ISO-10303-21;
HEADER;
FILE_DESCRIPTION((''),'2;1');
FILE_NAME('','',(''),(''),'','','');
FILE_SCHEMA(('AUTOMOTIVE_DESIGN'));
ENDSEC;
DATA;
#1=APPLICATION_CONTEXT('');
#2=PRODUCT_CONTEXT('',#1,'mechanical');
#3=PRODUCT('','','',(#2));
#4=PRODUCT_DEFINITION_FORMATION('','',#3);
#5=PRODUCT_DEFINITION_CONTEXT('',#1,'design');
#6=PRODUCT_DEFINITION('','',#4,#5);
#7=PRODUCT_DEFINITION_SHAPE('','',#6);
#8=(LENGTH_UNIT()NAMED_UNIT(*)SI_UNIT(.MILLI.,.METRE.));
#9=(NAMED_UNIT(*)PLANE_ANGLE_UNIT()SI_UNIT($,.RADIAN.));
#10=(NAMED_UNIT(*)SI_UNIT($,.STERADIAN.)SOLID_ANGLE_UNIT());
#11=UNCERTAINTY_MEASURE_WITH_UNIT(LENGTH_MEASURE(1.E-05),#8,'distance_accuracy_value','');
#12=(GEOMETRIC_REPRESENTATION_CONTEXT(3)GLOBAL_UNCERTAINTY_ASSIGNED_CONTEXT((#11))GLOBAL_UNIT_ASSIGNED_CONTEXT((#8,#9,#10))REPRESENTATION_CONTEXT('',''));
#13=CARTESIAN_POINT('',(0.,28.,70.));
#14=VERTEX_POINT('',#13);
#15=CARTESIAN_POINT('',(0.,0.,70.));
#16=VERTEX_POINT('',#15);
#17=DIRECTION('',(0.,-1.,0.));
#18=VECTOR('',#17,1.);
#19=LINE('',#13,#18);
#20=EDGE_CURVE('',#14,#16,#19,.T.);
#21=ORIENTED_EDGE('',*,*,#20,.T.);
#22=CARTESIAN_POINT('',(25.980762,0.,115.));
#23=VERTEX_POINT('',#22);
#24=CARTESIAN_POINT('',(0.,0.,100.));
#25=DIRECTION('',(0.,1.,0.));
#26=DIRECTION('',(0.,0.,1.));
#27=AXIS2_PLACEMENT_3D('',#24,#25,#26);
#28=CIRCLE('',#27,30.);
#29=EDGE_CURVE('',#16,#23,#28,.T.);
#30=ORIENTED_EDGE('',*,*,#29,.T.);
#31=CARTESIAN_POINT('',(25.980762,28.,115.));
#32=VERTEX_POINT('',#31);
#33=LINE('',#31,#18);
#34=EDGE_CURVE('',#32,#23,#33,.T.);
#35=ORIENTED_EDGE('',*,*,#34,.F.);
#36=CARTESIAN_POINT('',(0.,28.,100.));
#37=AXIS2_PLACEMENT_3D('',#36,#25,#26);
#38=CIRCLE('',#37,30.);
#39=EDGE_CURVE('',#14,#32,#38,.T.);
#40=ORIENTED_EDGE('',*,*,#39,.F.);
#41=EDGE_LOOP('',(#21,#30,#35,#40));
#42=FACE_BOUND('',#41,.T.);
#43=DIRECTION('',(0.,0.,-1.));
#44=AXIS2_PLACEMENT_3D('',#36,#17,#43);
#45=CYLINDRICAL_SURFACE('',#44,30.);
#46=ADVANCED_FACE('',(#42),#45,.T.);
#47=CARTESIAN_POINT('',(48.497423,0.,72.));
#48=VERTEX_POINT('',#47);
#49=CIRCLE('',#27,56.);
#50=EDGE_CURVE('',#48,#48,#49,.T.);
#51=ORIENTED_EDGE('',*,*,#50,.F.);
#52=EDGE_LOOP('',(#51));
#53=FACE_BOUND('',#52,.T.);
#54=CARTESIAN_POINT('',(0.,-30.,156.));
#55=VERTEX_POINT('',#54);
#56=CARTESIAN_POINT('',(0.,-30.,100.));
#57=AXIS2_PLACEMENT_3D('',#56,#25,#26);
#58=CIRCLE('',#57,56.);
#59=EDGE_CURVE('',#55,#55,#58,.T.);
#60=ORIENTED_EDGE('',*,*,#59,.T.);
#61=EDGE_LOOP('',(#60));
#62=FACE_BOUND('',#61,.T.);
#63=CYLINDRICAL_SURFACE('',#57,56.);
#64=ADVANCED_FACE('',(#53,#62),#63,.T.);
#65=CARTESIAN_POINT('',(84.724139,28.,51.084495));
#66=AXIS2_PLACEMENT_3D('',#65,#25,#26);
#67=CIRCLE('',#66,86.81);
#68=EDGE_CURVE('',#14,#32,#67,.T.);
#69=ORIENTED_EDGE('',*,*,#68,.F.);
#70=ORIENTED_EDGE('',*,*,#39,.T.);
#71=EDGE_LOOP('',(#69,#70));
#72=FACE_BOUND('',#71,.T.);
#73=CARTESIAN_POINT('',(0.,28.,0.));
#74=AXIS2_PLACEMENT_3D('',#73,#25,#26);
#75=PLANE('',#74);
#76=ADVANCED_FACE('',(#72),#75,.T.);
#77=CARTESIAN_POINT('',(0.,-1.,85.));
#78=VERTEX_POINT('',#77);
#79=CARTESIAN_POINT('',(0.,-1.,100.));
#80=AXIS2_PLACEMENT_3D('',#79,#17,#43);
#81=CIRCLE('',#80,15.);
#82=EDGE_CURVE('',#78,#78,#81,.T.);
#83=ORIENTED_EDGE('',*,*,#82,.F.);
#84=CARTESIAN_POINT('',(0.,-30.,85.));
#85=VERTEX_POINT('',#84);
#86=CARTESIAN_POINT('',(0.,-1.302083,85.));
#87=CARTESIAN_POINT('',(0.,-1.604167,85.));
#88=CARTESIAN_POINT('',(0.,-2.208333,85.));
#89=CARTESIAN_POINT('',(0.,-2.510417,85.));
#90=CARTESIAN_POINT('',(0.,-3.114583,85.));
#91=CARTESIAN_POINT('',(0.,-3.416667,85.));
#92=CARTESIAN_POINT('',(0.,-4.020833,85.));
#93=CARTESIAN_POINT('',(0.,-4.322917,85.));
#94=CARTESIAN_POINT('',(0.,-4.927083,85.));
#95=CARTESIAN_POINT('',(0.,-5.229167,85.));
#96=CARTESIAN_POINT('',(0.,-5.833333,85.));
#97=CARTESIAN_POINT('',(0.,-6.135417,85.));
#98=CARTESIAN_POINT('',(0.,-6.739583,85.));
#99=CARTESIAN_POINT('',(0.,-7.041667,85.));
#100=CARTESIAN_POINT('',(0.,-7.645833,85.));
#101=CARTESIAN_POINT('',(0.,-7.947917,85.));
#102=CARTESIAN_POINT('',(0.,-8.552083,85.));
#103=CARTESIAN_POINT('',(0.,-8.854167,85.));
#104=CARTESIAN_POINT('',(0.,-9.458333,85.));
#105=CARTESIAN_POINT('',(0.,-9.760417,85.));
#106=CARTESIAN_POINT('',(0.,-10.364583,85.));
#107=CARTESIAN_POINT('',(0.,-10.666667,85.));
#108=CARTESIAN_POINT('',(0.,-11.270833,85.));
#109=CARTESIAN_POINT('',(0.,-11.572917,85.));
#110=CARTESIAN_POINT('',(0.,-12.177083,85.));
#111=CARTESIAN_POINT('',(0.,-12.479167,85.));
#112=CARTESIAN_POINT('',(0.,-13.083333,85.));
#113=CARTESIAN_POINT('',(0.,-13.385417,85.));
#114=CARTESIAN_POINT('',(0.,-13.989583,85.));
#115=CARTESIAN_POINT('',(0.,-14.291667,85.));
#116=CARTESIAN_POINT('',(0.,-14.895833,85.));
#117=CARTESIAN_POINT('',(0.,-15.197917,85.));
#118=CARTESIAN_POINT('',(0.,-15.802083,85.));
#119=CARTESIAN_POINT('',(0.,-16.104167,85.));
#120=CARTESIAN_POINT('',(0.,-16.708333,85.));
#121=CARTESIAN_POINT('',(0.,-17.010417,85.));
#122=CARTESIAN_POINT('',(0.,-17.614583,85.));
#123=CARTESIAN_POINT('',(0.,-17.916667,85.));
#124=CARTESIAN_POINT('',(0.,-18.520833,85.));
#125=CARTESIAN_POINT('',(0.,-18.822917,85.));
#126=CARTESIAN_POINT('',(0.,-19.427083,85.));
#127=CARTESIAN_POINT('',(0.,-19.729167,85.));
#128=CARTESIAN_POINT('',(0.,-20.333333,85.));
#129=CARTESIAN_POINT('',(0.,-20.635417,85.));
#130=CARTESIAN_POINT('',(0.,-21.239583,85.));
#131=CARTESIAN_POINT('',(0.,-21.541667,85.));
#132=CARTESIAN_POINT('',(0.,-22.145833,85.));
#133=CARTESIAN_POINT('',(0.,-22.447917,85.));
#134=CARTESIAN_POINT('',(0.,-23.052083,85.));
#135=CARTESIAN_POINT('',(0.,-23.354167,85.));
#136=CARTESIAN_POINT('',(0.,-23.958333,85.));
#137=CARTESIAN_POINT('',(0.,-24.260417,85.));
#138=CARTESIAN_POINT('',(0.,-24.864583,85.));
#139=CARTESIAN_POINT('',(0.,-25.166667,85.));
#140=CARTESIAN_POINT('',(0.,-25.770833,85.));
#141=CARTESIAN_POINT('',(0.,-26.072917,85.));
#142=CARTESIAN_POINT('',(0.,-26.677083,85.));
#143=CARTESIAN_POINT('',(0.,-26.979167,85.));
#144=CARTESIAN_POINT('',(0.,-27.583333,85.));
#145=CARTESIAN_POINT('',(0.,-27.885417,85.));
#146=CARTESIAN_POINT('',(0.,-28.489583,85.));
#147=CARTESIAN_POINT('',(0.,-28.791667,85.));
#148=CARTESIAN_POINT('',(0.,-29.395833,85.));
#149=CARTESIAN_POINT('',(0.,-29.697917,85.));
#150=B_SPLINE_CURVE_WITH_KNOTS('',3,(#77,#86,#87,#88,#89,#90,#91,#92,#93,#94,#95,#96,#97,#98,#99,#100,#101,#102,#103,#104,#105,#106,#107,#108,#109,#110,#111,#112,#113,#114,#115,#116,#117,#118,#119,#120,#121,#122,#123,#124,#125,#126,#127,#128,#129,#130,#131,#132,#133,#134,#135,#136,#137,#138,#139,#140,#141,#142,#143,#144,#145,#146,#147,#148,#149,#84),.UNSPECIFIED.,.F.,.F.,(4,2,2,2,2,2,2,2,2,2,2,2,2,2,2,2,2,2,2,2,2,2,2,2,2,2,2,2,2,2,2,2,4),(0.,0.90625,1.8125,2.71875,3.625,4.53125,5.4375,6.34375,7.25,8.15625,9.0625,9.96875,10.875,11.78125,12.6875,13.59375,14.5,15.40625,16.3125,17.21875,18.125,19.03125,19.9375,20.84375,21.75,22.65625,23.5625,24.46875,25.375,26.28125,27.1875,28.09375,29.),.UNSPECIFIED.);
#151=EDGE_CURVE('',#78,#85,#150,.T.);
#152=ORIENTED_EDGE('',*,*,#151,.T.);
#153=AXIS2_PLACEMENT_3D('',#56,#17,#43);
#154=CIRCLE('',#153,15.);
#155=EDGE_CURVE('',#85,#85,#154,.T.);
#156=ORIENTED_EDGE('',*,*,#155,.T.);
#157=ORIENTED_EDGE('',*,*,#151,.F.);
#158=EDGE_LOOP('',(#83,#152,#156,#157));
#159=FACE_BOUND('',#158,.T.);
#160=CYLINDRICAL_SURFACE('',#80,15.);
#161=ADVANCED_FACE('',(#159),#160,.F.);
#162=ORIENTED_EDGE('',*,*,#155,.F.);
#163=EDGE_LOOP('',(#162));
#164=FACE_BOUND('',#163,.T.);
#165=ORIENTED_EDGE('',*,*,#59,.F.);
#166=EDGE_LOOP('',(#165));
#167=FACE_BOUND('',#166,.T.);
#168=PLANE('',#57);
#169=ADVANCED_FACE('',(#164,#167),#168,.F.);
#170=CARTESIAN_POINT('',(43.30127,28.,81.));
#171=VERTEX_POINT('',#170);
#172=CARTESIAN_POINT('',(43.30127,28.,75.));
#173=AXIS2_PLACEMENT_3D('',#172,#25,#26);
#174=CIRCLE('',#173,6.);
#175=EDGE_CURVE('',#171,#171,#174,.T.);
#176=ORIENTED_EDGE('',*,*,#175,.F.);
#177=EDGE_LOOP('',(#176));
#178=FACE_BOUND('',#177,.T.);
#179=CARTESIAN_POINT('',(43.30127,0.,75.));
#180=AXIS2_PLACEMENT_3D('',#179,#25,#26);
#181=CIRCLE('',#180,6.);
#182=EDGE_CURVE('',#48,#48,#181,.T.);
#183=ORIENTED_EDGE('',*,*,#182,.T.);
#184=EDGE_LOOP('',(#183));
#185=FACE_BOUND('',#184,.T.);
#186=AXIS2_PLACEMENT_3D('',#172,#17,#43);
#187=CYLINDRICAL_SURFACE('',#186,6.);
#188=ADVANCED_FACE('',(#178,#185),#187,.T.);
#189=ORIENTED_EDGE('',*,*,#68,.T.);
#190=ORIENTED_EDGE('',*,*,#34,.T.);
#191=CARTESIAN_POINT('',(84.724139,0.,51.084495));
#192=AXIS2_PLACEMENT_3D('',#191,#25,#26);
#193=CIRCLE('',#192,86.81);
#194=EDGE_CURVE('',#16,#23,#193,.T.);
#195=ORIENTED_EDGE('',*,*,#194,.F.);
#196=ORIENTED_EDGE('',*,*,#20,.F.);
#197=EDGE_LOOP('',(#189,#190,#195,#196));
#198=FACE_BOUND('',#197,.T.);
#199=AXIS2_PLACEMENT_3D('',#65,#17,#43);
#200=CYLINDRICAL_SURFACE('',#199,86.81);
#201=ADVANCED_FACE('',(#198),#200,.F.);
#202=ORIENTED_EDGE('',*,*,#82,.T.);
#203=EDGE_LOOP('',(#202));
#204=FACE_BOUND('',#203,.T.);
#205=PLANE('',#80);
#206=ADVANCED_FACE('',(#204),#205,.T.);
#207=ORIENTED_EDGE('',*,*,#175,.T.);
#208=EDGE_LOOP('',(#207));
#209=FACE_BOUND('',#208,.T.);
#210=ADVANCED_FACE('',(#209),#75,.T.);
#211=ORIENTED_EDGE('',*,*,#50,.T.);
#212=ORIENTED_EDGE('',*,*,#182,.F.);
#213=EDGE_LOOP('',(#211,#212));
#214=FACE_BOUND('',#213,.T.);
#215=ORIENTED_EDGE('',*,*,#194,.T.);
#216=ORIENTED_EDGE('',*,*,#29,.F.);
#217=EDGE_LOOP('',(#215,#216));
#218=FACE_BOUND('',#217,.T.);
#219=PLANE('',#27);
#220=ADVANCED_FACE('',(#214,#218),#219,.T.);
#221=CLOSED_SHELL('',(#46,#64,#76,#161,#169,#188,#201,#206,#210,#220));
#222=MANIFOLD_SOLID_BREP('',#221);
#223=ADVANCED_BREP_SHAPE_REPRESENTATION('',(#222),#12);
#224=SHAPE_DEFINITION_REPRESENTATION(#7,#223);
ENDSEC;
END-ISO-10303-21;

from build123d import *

# Parameters (mm, degrees)
SKETCH1_R             = 6
BOSS_EXTRUDE1_DEPTH   = 28
BOSS_EXTRUDE1_2_DEPTH = 28
SKETCH2_R             = 56
BOSS_EXTRUDE3_DEPTH   = 30
SKETCH3_R             = 15
CUT_EXTRUDE1_DEPTH    = 29


with BuildPart() as part:
    # Sketch1 → Boss-Extrude1 (new body)
    with BuildSketch(Plane(origin=(0, 0, 0), x_dir=(1, 0, 0), z_dir=(0, 1, 0))):
        with Locations(Location((43.301270189, -75, 0), (0, 0, 270))):
            Circle(SKETCH1_R)
    extrude(amount=BOSS_EXTRUDE1_DEPTH)



with BuildPart() as body_2:
    # Sketch1 → Boss-Extrude1 2 (new body)
    with BuildSketch(Plane(origin=(0, 0, 0), x_dir=(1, 0, 0), z_dir=(0, 1, 0))):
        with BuildLine():
            ThreePointArc((0, -70), (9.54447402, -94.489495355), (25.980762114, -115))
            ThreePointArc((25.980762114, -115), (-25.980762114, -115), (0, -70))
        make_face()
    extrude(amount=BOSS_EXTRUDE1_2_DEPTH)


with BuildPart() as part_1:
    add(part.part)

    add(body_2.part)  # Boss-Extrude3 merges body 2
    # Sketch2 → Boss-Extrude3 (add)
    with BuildSketch(Plane(origin=(0, 0, 0), x_dir=(1, 0, 0), z_dir=(0, 1, 0))):
        with Locations(Location((0, -100, 0), (0, 0, 270))):
            Circle(SKETCH2_R)
    extrude(amount=-BOSS_EXTRUDE3_DEPTH)

    # Sketch3 → Cut-Extrude1 (cut)
    with BuildSketch(Plane.XZ.offset(30)):
        with Locations(Location((0, 100, 0), (0, 0, 270))):
            Circle(SKETCH3_R)
    extrude(amount=-CUT_EXTRUDE1_DEPTH, mode=Mode.SUBTRACT)


solid = part_1.part
